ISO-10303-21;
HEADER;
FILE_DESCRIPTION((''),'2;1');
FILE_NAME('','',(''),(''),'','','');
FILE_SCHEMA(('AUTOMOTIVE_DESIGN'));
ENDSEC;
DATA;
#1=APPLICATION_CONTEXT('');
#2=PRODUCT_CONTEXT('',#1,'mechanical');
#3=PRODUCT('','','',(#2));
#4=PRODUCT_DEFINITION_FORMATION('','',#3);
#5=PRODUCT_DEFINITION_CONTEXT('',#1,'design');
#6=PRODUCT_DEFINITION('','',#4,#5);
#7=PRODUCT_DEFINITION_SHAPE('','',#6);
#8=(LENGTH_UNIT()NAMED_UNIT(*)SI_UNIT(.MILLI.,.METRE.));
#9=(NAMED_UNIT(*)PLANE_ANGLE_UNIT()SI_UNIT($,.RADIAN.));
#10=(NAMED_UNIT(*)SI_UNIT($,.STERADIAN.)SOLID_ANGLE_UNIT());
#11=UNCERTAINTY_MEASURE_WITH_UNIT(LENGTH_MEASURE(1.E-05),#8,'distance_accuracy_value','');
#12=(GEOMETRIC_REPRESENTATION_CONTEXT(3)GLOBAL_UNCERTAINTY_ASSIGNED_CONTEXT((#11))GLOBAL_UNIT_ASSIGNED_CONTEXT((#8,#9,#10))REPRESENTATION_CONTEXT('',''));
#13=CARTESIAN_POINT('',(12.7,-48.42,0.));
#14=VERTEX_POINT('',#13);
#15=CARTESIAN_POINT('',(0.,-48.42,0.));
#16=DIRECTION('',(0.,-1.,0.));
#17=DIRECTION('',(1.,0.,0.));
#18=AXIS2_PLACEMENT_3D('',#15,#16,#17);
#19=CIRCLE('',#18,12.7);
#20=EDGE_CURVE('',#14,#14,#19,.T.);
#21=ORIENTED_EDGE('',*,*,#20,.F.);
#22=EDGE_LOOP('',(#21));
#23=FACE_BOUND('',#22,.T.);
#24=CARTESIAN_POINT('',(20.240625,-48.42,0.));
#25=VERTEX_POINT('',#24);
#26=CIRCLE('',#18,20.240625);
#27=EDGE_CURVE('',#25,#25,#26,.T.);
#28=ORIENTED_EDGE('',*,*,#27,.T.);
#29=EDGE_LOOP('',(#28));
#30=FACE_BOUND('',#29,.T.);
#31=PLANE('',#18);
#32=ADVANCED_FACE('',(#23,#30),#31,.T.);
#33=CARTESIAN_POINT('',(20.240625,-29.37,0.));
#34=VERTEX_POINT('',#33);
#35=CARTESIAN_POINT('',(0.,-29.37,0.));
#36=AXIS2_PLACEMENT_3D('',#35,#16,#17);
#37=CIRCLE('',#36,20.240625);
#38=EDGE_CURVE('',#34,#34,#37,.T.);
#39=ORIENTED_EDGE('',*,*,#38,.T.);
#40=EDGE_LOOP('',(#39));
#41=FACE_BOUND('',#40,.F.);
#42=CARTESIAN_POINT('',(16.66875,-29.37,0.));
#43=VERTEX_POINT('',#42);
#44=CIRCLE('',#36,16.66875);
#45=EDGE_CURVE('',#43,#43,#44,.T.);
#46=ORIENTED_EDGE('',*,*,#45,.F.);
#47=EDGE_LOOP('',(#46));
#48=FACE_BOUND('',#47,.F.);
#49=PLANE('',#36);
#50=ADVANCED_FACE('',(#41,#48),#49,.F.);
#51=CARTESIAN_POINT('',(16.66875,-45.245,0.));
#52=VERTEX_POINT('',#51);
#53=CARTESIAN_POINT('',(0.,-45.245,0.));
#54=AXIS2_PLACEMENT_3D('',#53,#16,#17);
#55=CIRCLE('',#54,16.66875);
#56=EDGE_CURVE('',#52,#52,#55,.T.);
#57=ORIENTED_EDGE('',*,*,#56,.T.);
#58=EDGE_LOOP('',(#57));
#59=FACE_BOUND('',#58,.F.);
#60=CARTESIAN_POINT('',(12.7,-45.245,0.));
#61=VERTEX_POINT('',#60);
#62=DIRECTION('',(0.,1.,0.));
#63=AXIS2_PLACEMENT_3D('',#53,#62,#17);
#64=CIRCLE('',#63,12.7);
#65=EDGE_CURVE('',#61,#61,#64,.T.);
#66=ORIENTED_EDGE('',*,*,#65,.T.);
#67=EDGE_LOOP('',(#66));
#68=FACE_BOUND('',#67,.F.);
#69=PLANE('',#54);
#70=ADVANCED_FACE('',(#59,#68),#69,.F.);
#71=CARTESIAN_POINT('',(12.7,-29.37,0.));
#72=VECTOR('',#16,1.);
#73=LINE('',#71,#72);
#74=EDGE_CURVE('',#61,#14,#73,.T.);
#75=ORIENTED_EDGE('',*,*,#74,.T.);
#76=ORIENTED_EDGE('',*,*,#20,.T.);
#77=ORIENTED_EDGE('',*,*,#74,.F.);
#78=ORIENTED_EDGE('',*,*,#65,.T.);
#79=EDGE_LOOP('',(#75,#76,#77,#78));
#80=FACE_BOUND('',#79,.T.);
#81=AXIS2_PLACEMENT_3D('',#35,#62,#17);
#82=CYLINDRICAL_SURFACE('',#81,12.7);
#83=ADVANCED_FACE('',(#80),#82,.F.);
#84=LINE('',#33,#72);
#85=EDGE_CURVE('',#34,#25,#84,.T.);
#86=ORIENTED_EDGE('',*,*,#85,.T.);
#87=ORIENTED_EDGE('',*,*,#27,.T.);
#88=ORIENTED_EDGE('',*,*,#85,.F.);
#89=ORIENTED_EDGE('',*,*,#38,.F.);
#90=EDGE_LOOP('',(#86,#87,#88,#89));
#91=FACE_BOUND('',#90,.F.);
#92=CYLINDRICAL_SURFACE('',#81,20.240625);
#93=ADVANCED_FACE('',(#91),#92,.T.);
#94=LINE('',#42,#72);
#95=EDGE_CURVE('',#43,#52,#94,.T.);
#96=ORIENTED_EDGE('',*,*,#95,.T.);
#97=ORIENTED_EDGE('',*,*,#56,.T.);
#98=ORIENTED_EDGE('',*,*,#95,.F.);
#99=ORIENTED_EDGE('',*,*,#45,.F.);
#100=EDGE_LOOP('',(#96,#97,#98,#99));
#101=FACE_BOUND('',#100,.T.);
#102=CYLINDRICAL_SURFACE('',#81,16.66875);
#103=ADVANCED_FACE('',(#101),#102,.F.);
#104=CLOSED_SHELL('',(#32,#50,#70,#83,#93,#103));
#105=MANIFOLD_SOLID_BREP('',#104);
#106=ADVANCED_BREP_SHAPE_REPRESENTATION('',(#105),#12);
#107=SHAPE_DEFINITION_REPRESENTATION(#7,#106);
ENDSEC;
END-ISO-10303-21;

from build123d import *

# Parameters (mm, degrees)
SKETCH019_R   = 16.66875
PAD019_DEPTH  = 15.875
SKETCH018_R   = 20.240625
SKETCH018_R_2 = 12.7
PAD018_DEPTH  = 19.05


with BuildPart() as body019:
    # Sketch019 → Pad019 (new body)
    with BuildSketch(Plane.XZ):
        Circle(SKETCH019_R)
    extrude(amount=PAD019_DEPTH)


with BuildPart() as cut012:
    # Sketch018 → Pad018 (new body)
    with BuildSketch(Plane.XZ):
        Circle(SKETCH018_R)
        Circle(SKETCH018_R_2, mode=Mode.SUBTRACT)
    extrude(amount=PAD018_DEPTH)

    # Cut012: cut Body019
    add(body019.part, mode=Mode.SUBTRACT)


with BuildPart() as cut012_1:
    # Cut012 placement: moved
    add(cut012.part.moved(Location((0, -29.37, 0))))


solid = cut012_1.part
